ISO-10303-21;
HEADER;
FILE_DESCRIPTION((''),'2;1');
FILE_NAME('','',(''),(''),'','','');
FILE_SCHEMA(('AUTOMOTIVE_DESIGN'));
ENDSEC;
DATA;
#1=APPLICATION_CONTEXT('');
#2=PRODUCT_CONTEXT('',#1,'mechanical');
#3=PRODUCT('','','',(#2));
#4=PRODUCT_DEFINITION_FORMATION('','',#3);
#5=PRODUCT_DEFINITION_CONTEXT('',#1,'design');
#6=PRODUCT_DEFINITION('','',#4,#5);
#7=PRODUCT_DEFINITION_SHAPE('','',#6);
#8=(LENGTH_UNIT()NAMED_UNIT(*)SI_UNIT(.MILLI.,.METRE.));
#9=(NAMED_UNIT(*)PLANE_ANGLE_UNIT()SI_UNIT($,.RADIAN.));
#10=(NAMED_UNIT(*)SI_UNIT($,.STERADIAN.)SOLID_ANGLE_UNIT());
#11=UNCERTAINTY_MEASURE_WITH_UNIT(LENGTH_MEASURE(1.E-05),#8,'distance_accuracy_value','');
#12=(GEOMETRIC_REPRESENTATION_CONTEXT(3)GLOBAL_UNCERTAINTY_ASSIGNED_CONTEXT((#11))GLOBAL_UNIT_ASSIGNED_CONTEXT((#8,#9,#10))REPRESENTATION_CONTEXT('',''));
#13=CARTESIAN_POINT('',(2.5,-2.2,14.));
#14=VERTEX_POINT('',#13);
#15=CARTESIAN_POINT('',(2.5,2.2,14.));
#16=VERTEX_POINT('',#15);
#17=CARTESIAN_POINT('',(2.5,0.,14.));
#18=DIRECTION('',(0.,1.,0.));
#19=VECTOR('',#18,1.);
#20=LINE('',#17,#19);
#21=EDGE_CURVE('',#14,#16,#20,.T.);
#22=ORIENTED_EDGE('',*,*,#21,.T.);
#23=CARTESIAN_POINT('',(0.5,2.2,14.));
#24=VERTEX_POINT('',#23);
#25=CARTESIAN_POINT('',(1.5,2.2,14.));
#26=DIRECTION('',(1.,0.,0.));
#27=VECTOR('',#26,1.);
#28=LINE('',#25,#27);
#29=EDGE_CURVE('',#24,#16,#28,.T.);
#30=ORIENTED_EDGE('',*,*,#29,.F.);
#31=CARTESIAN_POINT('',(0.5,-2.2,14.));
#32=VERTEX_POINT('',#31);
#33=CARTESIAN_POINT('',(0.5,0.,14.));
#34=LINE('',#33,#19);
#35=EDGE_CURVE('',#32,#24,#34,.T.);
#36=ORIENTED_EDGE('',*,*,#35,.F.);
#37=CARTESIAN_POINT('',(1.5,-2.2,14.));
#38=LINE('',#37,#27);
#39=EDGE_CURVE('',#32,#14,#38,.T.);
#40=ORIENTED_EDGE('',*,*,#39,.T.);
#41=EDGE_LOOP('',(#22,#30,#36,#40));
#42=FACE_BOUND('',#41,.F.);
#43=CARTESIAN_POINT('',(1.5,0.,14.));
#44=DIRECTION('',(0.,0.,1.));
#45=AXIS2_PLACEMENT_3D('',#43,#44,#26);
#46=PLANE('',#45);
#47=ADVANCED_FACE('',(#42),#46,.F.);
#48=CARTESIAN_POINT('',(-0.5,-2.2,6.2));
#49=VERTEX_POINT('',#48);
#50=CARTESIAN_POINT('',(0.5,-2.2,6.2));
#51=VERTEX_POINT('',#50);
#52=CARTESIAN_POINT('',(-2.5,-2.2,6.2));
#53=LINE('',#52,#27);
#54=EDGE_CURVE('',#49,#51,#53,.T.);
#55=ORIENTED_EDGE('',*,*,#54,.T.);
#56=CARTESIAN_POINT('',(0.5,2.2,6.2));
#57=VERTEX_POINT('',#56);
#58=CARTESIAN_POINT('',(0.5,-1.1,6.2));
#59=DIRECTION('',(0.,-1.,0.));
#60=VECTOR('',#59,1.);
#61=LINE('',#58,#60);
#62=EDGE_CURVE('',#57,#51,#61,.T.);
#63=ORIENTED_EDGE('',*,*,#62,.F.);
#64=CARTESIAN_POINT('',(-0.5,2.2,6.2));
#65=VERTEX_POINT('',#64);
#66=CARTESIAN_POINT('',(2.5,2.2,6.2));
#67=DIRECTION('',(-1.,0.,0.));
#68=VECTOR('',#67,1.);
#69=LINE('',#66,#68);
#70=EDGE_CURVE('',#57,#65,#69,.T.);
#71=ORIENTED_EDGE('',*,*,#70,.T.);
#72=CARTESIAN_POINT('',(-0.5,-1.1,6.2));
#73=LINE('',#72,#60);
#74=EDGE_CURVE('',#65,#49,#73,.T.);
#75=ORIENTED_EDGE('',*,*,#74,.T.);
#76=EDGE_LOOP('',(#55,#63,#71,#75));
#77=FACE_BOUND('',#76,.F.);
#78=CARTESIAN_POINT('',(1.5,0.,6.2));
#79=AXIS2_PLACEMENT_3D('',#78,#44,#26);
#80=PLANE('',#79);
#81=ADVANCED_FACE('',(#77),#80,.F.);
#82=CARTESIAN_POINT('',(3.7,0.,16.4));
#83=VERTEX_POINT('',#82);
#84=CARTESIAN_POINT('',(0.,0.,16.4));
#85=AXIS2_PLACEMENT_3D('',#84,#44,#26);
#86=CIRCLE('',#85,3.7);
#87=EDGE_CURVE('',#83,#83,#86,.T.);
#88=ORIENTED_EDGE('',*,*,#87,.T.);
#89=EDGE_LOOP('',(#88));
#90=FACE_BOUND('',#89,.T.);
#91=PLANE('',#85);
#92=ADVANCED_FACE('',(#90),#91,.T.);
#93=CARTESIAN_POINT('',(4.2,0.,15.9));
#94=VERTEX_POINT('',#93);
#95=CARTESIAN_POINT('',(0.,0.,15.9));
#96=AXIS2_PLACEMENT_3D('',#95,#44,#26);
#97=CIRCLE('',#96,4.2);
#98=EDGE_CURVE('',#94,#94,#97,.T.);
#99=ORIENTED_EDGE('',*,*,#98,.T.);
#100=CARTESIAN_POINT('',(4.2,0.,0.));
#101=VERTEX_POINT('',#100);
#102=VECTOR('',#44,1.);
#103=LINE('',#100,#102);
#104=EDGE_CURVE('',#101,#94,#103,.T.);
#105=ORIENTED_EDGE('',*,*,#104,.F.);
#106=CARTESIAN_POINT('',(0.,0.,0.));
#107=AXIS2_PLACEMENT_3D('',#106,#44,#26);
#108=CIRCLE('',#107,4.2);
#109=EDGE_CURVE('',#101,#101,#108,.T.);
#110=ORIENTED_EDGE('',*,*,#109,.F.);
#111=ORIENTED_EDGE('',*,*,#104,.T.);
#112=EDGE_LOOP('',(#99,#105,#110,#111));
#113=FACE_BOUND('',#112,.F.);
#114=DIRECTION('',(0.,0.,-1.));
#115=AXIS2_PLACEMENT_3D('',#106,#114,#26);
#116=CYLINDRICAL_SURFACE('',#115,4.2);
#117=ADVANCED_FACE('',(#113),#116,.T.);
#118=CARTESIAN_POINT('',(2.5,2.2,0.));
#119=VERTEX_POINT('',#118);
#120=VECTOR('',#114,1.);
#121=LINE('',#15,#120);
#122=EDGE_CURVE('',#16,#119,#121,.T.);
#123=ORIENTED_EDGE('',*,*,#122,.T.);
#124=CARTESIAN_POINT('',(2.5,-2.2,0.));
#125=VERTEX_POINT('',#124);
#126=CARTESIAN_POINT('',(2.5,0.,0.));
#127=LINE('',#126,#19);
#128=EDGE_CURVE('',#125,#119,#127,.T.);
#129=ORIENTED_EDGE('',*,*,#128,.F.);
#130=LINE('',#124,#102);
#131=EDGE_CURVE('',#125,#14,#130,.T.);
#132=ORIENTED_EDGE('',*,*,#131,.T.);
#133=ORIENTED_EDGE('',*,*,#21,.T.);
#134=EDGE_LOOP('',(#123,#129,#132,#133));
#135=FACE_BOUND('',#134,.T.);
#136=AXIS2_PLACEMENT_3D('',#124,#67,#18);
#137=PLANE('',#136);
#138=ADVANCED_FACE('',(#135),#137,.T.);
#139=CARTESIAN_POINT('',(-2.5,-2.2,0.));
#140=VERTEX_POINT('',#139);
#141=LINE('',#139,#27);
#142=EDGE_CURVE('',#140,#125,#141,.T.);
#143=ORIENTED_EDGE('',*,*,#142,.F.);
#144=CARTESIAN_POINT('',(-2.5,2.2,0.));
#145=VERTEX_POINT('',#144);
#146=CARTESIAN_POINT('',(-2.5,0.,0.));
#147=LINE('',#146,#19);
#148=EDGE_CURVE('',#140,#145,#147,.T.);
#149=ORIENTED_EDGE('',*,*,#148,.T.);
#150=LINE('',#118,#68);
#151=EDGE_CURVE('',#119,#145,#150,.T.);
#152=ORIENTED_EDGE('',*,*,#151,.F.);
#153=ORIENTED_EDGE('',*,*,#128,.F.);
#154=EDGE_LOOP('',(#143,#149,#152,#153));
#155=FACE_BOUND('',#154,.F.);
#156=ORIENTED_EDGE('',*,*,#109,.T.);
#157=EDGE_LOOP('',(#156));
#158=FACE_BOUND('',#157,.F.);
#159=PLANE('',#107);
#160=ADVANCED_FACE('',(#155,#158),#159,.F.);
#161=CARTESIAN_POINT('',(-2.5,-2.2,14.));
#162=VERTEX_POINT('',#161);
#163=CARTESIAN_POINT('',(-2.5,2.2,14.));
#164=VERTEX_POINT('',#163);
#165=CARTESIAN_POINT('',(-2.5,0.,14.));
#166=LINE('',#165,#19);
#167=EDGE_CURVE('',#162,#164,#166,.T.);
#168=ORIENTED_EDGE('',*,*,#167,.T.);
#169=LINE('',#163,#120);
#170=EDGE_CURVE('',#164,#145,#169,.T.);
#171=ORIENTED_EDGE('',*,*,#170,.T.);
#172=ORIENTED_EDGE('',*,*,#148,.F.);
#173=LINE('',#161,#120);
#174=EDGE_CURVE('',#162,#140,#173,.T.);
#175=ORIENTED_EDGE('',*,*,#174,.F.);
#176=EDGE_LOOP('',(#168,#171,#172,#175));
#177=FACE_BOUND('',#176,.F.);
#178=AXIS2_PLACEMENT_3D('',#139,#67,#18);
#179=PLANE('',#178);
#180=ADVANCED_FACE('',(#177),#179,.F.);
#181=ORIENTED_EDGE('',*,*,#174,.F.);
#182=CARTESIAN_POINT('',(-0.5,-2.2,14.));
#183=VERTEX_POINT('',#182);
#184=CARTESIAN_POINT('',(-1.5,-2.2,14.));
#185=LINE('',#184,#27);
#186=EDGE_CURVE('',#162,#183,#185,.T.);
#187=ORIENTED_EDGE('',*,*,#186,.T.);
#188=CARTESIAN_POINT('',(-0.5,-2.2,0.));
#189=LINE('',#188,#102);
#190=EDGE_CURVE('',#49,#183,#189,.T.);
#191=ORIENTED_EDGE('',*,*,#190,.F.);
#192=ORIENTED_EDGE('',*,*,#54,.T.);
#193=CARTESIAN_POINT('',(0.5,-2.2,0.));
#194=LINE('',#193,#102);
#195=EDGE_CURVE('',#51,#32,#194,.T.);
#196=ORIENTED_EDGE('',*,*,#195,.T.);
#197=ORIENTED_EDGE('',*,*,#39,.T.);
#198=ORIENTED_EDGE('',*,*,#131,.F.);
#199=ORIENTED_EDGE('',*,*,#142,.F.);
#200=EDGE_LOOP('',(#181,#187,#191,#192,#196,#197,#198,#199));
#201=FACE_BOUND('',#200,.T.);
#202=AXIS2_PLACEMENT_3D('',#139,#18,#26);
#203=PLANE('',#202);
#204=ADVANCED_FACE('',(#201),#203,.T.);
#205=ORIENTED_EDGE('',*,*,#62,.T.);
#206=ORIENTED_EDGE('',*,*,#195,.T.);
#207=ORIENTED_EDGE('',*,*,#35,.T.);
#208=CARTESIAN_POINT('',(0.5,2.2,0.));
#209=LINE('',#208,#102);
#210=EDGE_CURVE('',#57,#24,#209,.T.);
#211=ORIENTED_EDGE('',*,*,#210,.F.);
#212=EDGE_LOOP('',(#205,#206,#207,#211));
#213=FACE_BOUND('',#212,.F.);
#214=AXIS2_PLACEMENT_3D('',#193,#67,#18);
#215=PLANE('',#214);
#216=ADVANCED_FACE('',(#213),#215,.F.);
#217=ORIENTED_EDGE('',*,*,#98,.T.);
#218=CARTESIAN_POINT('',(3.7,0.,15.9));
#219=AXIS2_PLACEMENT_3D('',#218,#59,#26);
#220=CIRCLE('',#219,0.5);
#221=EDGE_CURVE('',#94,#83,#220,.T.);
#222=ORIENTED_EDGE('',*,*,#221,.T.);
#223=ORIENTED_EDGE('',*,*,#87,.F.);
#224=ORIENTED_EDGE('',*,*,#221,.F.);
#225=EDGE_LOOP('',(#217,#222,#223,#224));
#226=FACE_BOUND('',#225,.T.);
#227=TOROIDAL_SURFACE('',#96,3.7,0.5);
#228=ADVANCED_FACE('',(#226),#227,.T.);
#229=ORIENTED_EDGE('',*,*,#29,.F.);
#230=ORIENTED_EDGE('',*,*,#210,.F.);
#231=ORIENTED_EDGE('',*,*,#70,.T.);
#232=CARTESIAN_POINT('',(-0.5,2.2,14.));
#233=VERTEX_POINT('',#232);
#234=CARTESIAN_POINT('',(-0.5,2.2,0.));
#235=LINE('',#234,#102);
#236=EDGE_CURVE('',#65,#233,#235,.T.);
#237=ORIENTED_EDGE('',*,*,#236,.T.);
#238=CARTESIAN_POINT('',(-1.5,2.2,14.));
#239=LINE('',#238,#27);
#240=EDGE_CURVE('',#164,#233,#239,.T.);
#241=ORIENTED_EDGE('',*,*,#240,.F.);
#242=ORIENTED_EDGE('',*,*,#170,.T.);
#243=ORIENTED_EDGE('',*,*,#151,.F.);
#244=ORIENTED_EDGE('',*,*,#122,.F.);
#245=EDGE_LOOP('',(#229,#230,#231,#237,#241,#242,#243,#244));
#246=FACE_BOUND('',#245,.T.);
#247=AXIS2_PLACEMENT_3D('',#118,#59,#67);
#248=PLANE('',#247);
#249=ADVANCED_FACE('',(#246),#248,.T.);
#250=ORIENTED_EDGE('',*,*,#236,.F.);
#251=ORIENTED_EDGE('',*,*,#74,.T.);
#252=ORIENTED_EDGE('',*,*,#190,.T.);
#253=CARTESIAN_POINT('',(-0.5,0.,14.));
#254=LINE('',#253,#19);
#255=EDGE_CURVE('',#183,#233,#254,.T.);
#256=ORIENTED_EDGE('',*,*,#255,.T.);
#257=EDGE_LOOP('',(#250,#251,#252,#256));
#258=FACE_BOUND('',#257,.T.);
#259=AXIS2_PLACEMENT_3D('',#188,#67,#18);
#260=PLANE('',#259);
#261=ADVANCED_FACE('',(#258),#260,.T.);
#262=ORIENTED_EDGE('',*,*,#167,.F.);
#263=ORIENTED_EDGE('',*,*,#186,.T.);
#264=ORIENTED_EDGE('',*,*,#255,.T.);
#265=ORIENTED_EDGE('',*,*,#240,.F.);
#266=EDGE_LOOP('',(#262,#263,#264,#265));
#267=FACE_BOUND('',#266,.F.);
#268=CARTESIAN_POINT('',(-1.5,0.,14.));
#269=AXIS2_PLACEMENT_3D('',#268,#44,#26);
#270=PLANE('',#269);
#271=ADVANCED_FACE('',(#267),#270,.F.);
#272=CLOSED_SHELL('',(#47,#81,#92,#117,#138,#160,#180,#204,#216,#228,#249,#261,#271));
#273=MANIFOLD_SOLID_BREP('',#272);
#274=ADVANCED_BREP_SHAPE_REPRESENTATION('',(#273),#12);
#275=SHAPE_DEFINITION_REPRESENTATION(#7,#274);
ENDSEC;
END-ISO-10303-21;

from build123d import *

# Parameters (mm, degrees)
F0_R     = 4.2
F0_W     = 2
F0_H     = 4.4
F0_W_2   = 1
F1_DEPTH = 16.4
F2_DEPTH = 6.2
F3_DEPTH = 14
F4_R     = 0.5


with BuildPart() as f1:
    # F0 (on Top) → F1 (new body)
    with BuildSketch(Plane.XY):
        Circle(F0_R)
        Polygon((-2.5, -2.2), (-2.5, 2.2), (-0.5, 2.2), (0.5, 2.2), (2.5, 2.2), (2.5, -2.2), (0.5, -2.2), (-0.5, -2.2), align=None, mode=Mode.SUBTRACT)
        with Locations((-1.5, 0)):
            Rectangle(F0_W, F0_H)
        with Locations((1.5, 0)):
            Rectangle(F0_W, F0_H)
        Rectangle(F0_W_2, F0_H)
    extrude(amount=F1_DEPTH)

    # F0 (on Top) → F2 (cut)
    with BuildSketch(Plane.XY):
        with Locations((1.5, 0)):
            Rectangle(F0_W, F0_H)
        with Locations((-1.5, 0)):
            Rectangle(F0_W, F0_H)
        Rectangle(F0_W_2, F0_H)
    extrude(amount=F2_DEPTH, mode=Mode.SUBTRACT)

    # F0 (on Top) → F3 (cut)
    with BuildSketch(Plane.XY):
        with Locations((1.5, 0)):
            Rectangle(F0_W, F0_H)
        with Locations((-1.5, 0)):
            Rectangle(F0_W, F0_H)
    extrude(amount=F3_DEPTH, mode=Mode.SUBTRACT)

    # F4
    f4_edges = [f1.edges().sort_by_distance(p)[0] for p in [
        (-4.2, 0, 16.4),
    ]]
    fillet(f4_edges, radius=F4_R)


solid = f1.part
